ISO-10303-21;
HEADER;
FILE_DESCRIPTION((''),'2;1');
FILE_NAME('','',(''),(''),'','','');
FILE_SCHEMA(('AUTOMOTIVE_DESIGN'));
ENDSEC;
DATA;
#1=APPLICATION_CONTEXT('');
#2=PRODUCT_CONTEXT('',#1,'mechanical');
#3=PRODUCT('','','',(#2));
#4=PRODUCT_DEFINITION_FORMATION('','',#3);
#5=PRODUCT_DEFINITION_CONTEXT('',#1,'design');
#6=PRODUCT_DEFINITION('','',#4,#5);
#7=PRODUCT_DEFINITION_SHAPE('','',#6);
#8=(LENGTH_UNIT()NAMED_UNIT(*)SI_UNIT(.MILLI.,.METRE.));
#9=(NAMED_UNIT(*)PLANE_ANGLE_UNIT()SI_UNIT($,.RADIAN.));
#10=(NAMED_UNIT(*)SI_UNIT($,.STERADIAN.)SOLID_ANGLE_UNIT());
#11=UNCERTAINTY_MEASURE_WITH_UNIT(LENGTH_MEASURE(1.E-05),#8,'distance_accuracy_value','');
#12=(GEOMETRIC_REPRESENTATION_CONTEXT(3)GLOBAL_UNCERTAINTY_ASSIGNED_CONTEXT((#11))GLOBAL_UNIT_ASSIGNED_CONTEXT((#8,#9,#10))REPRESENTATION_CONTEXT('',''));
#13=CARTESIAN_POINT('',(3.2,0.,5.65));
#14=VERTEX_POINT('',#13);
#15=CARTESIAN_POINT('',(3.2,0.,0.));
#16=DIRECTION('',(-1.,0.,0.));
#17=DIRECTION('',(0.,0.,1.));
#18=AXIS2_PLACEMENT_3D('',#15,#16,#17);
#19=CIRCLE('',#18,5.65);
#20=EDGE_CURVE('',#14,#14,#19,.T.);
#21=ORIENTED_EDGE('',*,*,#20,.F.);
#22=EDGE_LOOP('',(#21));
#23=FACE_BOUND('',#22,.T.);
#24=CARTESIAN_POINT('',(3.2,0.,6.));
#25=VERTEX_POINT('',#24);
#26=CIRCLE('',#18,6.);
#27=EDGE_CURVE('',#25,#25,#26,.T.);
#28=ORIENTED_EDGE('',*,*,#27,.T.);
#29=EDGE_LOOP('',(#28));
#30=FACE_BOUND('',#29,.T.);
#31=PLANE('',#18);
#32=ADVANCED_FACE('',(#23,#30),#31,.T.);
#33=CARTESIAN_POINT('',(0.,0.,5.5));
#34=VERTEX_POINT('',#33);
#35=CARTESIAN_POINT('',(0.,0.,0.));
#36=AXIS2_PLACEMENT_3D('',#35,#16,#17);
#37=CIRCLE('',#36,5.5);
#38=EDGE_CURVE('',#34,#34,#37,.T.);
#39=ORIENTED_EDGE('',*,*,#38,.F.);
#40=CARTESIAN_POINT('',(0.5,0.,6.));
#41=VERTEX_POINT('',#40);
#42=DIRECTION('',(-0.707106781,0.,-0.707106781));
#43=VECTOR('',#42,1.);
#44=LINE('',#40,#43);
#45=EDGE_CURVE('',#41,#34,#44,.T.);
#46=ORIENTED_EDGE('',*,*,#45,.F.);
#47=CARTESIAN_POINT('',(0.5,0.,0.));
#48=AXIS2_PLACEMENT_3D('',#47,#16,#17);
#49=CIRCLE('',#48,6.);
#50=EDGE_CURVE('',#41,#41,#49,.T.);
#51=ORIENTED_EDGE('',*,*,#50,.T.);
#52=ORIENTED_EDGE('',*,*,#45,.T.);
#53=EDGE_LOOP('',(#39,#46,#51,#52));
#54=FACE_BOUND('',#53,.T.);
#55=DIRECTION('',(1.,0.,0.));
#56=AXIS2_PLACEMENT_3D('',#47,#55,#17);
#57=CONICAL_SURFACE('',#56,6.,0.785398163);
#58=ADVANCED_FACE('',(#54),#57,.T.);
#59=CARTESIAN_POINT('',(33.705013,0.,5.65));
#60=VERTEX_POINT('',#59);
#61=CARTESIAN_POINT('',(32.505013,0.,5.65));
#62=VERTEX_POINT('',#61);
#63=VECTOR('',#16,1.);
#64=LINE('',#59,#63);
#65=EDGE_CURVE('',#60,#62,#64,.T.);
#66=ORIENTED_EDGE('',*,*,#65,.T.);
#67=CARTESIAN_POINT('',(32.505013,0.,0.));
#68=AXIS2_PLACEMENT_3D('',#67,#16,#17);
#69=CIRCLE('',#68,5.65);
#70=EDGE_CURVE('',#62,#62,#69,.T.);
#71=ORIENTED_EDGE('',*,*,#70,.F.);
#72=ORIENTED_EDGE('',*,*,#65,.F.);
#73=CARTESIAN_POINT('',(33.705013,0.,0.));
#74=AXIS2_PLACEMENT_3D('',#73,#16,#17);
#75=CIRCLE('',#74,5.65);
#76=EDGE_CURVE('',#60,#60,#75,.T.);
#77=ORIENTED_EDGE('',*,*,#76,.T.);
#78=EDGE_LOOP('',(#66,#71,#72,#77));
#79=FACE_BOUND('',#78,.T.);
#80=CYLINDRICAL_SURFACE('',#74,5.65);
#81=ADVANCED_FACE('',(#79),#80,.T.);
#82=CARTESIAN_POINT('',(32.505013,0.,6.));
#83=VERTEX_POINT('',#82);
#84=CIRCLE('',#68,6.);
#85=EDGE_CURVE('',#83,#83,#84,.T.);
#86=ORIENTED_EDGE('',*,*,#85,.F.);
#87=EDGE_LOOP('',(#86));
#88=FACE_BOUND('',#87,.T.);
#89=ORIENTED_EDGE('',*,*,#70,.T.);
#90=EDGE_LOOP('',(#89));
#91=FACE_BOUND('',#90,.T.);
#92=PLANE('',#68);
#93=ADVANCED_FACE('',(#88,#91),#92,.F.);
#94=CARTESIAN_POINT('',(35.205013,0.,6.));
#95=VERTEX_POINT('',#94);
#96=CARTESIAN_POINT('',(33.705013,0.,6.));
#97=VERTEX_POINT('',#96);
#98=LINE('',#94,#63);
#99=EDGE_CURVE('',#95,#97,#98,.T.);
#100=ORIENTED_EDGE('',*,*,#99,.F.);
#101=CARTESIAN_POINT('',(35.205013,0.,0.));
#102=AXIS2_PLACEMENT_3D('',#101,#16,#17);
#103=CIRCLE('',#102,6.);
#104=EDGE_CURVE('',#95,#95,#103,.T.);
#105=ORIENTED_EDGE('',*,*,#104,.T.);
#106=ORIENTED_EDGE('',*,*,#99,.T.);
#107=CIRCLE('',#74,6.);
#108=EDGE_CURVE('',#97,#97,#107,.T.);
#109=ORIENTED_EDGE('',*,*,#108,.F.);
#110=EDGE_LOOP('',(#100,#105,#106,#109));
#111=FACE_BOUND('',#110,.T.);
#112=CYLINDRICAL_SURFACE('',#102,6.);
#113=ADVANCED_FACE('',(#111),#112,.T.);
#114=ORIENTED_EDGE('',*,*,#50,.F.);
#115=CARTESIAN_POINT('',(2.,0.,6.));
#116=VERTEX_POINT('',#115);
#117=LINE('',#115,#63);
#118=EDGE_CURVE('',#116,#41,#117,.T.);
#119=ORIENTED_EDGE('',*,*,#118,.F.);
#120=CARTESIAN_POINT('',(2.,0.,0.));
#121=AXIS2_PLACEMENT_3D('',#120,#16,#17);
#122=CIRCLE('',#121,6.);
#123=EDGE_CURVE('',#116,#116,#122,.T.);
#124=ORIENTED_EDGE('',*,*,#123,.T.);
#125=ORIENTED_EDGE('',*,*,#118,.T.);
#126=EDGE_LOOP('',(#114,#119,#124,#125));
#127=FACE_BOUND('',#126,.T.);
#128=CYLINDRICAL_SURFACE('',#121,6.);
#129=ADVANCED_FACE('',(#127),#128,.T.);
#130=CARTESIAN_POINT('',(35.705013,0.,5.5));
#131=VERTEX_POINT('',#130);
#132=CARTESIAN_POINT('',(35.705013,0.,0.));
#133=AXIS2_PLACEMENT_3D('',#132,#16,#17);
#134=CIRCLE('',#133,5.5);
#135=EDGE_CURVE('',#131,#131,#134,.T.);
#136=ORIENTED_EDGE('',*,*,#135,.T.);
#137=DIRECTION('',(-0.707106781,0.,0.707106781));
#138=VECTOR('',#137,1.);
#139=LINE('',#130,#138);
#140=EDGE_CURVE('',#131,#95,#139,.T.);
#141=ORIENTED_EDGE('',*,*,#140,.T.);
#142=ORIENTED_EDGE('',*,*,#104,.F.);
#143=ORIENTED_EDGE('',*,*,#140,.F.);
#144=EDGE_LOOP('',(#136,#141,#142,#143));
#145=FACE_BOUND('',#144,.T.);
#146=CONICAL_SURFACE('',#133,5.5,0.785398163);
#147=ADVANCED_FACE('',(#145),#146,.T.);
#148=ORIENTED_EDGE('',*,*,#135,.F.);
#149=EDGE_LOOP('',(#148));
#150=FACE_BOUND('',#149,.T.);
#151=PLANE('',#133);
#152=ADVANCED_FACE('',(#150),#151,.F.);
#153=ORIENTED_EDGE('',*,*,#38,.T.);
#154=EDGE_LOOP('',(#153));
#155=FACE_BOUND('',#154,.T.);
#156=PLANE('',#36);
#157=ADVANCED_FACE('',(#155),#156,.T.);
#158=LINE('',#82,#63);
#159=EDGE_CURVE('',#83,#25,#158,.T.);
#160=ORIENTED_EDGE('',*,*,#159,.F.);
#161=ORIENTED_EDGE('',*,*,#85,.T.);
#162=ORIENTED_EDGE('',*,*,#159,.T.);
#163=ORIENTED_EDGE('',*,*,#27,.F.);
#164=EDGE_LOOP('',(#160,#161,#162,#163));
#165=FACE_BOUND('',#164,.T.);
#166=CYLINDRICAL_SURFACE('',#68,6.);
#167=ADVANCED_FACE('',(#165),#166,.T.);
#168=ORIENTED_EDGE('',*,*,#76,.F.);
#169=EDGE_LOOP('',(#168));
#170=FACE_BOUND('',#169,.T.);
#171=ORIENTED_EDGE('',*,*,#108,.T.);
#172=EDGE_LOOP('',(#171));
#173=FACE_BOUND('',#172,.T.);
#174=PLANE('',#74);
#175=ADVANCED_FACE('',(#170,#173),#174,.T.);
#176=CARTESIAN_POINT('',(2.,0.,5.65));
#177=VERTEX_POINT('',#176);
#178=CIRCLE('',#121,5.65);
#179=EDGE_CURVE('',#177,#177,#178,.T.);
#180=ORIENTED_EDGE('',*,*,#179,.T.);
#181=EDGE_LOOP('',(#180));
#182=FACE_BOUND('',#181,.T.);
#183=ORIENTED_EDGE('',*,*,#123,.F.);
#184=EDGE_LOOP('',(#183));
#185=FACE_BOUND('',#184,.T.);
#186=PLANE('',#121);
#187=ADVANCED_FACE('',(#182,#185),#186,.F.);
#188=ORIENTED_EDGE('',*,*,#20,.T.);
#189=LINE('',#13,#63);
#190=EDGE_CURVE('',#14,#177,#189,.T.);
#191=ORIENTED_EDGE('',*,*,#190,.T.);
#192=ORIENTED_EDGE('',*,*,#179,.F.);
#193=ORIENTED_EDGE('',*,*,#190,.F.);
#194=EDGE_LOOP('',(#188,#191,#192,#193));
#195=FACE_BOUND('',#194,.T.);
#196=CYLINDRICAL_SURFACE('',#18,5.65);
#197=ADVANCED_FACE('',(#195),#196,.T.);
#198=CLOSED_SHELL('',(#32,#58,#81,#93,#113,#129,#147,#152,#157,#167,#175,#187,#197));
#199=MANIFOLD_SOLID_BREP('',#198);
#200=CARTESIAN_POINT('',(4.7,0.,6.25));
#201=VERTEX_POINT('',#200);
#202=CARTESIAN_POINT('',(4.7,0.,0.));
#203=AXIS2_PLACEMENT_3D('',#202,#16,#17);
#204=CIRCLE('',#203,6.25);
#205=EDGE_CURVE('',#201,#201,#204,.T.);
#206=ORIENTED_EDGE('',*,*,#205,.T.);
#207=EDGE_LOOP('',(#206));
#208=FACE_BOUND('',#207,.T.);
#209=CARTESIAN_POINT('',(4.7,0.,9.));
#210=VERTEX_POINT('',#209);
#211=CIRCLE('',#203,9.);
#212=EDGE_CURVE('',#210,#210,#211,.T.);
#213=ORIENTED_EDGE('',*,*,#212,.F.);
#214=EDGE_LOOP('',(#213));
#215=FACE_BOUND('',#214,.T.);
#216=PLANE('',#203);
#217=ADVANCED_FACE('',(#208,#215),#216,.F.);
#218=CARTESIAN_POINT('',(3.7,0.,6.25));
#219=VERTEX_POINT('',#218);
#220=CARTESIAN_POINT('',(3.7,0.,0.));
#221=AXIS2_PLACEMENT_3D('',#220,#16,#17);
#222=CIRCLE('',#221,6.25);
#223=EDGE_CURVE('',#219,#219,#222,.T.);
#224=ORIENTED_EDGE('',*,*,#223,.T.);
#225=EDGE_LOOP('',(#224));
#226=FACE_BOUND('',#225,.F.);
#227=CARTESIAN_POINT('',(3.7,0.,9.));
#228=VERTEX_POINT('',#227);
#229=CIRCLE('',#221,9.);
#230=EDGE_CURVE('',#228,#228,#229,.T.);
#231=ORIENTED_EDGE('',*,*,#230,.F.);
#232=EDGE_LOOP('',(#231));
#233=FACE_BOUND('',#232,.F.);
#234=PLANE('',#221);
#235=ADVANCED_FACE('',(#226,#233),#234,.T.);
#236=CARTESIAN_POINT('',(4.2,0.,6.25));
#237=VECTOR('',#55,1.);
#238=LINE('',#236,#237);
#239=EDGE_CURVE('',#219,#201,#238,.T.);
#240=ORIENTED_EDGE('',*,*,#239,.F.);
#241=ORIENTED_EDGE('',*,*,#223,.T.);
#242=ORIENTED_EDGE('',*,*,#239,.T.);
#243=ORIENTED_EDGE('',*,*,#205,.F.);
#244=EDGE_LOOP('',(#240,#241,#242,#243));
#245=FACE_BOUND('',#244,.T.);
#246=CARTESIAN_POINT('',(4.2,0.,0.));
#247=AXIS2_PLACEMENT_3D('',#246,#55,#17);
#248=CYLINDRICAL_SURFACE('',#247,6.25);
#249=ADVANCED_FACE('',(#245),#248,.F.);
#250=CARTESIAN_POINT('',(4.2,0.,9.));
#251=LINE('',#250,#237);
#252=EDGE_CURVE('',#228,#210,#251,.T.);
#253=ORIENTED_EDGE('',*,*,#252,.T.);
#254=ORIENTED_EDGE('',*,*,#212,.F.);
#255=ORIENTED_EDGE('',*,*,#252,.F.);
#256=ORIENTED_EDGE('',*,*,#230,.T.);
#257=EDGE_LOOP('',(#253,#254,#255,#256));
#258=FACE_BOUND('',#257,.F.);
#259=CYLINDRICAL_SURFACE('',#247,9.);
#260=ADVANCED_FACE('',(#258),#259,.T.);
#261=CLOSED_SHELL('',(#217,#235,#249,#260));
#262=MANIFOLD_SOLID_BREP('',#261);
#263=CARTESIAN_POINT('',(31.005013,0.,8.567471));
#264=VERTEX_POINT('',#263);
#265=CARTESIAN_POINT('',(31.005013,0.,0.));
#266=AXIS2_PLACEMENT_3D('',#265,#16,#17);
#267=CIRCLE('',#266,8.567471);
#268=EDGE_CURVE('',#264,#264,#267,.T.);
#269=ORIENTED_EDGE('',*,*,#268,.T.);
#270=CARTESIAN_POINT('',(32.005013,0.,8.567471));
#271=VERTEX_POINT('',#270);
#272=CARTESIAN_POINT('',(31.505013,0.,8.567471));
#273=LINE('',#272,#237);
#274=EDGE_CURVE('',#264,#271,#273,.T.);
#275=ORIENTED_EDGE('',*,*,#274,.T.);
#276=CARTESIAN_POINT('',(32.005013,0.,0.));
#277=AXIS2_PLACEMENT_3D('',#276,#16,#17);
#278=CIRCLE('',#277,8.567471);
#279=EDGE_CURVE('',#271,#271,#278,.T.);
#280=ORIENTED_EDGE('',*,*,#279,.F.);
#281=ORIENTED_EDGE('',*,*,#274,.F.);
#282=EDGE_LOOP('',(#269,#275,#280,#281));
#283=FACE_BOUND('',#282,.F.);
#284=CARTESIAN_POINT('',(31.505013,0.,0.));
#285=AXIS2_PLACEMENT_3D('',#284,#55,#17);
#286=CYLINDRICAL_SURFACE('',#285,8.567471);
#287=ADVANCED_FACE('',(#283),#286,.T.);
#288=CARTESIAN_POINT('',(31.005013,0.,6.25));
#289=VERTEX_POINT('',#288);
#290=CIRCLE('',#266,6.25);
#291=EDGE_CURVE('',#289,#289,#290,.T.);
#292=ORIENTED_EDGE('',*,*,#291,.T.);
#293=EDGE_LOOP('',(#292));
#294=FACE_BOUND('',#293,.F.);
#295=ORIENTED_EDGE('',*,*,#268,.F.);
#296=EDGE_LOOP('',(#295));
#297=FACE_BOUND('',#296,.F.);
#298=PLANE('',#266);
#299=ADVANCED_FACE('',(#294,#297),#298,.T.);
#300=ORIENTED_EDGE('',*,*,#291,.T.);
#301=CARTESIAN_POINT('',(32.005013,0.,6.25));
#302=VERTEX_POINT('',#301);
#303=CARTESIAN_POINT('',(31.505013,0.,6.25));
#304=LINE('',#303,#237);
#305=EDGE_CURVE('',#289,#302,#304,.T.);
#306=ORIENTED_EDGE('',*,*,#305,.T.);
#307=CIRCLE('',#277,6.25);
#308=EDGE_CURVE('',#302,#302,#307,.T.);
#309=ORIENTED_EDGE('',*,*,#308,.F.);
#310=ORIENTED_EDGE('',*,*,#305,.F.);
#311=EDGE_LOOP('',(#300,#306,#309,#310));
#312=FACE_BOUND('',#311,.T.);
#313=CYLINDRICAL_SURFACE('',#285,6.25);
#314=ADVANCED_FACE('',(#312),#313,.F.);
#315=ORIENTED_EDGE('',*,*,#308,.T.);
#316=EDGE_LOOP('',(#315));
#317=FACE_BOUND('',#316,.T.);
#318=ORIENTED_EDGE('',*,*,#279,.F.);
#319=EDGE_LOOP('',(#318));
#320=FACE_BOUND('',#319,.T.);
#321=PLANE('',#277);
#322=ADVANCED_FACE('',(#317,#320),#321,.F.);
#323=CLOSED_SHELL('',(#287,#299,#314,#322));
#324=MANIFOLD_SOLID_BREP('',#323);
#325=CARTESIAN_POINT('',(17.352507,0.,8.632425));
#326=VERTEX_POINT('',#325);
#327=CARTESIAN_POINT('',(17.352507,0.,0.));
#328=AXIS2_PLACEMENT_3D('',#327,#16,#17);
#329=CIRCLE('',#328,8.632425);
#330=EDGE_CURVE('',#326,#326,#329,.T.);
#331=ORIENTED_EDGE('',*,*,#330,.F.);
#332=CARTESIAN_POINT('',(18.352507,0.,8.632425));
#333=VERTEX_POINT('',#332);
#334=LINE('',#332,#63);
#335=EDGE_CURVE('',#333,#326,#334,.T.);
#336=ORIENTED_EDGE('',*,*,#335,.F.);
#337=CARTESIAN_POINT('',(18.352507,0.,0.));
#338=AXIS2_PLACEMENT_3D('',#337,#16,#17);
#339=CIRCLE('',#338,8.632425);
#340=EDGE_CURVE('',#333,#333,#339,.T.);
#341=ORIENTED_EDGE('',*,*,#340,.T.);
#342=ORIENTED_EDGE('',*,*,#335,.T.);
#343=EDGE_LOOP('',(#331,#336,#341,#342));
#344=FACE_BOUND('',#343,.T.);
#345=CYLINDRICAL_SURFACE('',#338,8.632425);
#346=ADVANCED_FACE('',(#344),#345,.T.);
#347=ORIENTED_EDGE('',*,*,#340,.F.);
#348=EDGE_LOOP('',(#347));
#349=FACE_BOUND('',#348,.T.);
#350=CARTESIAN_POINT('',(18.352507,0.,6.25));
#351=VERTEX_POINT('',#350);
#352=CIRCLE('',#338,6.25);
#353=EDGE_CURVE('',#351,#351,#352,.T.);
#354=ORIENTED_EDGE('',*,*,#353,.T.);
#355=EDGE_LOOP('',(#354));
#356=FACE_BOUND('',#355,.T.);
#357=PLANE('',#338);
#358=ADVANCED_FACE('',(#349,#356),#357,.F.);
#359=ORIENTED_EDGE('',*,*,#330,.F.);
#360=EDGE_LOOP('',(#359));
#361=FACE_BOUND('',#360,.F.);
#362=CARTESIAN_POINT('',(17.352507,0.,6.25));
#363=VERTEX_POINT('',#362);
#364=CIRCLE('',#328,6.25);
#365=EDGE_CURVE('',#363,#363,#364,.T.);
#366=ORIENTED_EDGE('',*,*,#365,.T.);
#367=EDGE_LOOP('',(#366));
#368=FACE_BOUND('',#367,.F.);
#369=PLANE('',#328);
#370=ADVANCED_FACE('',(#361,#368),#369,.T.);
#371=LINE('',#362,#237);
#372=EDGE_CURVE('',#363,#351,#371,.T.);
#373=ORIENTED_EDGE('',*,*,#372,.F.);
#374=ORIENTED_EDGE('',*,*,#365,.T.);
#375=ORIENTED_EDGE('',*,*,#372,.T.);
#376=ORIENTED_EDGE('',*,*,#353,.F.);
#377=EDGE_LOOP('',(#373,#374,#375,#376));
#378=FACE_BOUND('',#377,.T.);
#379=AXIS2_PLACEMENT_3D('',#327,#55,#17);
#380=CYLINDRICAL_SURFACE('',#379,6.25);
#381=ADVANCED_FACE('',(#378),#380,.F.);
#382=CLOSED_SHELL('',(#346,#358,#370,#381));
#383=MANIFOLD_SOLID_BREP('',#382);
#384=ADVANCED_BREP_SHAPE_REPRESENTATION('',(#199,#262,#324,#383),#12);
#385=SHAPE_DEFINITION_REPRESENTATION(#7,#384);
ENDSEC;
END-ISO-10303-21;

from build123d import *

# Parameters (mm, degrees)
F0_W   = 1
F0_H   = 2.317471
F0_W_2 = 0.5
F0_H_2 = 2.382425
F0_H_3 = 2.75


with BuildPart() as f1:
    # F0 (on Front) → F1 (revolve)
    with BuildSketch(Plane.XZ):
        Polygon((2, 6), (0.5, 6), (0, 5.5), (0, 0), (19.005013, 0), (35.705013, 0), (35.705013, 5.5), (35.205013, 6), (33.705013, 6), (33.705013, 5.65), (32.505013, 5.65), (32.505013, 6), (19.005013, 6), (16.7, 6), (3.2, 6), (3.2, 5.65), (2, 5.65), align=None)
        with Locations((31.505013, 7.408735)):
            Rectangle(F0_W, F0_H)
        with Locations((18.102507, 7.441212)):
            Rectangle(F0_W_2, F0_H_2)
        with Locations((17.602507, 7.441212)):
            Rectangle(F0_W_2, F0_H_2)
        with Locations((4.2, 7.625)):
            Rectangle(F0_W, F0_H_3)
    revolve(axis=Axis((9.502507, 0, 0), (-1, 0, 0)))


solid = f1.part
